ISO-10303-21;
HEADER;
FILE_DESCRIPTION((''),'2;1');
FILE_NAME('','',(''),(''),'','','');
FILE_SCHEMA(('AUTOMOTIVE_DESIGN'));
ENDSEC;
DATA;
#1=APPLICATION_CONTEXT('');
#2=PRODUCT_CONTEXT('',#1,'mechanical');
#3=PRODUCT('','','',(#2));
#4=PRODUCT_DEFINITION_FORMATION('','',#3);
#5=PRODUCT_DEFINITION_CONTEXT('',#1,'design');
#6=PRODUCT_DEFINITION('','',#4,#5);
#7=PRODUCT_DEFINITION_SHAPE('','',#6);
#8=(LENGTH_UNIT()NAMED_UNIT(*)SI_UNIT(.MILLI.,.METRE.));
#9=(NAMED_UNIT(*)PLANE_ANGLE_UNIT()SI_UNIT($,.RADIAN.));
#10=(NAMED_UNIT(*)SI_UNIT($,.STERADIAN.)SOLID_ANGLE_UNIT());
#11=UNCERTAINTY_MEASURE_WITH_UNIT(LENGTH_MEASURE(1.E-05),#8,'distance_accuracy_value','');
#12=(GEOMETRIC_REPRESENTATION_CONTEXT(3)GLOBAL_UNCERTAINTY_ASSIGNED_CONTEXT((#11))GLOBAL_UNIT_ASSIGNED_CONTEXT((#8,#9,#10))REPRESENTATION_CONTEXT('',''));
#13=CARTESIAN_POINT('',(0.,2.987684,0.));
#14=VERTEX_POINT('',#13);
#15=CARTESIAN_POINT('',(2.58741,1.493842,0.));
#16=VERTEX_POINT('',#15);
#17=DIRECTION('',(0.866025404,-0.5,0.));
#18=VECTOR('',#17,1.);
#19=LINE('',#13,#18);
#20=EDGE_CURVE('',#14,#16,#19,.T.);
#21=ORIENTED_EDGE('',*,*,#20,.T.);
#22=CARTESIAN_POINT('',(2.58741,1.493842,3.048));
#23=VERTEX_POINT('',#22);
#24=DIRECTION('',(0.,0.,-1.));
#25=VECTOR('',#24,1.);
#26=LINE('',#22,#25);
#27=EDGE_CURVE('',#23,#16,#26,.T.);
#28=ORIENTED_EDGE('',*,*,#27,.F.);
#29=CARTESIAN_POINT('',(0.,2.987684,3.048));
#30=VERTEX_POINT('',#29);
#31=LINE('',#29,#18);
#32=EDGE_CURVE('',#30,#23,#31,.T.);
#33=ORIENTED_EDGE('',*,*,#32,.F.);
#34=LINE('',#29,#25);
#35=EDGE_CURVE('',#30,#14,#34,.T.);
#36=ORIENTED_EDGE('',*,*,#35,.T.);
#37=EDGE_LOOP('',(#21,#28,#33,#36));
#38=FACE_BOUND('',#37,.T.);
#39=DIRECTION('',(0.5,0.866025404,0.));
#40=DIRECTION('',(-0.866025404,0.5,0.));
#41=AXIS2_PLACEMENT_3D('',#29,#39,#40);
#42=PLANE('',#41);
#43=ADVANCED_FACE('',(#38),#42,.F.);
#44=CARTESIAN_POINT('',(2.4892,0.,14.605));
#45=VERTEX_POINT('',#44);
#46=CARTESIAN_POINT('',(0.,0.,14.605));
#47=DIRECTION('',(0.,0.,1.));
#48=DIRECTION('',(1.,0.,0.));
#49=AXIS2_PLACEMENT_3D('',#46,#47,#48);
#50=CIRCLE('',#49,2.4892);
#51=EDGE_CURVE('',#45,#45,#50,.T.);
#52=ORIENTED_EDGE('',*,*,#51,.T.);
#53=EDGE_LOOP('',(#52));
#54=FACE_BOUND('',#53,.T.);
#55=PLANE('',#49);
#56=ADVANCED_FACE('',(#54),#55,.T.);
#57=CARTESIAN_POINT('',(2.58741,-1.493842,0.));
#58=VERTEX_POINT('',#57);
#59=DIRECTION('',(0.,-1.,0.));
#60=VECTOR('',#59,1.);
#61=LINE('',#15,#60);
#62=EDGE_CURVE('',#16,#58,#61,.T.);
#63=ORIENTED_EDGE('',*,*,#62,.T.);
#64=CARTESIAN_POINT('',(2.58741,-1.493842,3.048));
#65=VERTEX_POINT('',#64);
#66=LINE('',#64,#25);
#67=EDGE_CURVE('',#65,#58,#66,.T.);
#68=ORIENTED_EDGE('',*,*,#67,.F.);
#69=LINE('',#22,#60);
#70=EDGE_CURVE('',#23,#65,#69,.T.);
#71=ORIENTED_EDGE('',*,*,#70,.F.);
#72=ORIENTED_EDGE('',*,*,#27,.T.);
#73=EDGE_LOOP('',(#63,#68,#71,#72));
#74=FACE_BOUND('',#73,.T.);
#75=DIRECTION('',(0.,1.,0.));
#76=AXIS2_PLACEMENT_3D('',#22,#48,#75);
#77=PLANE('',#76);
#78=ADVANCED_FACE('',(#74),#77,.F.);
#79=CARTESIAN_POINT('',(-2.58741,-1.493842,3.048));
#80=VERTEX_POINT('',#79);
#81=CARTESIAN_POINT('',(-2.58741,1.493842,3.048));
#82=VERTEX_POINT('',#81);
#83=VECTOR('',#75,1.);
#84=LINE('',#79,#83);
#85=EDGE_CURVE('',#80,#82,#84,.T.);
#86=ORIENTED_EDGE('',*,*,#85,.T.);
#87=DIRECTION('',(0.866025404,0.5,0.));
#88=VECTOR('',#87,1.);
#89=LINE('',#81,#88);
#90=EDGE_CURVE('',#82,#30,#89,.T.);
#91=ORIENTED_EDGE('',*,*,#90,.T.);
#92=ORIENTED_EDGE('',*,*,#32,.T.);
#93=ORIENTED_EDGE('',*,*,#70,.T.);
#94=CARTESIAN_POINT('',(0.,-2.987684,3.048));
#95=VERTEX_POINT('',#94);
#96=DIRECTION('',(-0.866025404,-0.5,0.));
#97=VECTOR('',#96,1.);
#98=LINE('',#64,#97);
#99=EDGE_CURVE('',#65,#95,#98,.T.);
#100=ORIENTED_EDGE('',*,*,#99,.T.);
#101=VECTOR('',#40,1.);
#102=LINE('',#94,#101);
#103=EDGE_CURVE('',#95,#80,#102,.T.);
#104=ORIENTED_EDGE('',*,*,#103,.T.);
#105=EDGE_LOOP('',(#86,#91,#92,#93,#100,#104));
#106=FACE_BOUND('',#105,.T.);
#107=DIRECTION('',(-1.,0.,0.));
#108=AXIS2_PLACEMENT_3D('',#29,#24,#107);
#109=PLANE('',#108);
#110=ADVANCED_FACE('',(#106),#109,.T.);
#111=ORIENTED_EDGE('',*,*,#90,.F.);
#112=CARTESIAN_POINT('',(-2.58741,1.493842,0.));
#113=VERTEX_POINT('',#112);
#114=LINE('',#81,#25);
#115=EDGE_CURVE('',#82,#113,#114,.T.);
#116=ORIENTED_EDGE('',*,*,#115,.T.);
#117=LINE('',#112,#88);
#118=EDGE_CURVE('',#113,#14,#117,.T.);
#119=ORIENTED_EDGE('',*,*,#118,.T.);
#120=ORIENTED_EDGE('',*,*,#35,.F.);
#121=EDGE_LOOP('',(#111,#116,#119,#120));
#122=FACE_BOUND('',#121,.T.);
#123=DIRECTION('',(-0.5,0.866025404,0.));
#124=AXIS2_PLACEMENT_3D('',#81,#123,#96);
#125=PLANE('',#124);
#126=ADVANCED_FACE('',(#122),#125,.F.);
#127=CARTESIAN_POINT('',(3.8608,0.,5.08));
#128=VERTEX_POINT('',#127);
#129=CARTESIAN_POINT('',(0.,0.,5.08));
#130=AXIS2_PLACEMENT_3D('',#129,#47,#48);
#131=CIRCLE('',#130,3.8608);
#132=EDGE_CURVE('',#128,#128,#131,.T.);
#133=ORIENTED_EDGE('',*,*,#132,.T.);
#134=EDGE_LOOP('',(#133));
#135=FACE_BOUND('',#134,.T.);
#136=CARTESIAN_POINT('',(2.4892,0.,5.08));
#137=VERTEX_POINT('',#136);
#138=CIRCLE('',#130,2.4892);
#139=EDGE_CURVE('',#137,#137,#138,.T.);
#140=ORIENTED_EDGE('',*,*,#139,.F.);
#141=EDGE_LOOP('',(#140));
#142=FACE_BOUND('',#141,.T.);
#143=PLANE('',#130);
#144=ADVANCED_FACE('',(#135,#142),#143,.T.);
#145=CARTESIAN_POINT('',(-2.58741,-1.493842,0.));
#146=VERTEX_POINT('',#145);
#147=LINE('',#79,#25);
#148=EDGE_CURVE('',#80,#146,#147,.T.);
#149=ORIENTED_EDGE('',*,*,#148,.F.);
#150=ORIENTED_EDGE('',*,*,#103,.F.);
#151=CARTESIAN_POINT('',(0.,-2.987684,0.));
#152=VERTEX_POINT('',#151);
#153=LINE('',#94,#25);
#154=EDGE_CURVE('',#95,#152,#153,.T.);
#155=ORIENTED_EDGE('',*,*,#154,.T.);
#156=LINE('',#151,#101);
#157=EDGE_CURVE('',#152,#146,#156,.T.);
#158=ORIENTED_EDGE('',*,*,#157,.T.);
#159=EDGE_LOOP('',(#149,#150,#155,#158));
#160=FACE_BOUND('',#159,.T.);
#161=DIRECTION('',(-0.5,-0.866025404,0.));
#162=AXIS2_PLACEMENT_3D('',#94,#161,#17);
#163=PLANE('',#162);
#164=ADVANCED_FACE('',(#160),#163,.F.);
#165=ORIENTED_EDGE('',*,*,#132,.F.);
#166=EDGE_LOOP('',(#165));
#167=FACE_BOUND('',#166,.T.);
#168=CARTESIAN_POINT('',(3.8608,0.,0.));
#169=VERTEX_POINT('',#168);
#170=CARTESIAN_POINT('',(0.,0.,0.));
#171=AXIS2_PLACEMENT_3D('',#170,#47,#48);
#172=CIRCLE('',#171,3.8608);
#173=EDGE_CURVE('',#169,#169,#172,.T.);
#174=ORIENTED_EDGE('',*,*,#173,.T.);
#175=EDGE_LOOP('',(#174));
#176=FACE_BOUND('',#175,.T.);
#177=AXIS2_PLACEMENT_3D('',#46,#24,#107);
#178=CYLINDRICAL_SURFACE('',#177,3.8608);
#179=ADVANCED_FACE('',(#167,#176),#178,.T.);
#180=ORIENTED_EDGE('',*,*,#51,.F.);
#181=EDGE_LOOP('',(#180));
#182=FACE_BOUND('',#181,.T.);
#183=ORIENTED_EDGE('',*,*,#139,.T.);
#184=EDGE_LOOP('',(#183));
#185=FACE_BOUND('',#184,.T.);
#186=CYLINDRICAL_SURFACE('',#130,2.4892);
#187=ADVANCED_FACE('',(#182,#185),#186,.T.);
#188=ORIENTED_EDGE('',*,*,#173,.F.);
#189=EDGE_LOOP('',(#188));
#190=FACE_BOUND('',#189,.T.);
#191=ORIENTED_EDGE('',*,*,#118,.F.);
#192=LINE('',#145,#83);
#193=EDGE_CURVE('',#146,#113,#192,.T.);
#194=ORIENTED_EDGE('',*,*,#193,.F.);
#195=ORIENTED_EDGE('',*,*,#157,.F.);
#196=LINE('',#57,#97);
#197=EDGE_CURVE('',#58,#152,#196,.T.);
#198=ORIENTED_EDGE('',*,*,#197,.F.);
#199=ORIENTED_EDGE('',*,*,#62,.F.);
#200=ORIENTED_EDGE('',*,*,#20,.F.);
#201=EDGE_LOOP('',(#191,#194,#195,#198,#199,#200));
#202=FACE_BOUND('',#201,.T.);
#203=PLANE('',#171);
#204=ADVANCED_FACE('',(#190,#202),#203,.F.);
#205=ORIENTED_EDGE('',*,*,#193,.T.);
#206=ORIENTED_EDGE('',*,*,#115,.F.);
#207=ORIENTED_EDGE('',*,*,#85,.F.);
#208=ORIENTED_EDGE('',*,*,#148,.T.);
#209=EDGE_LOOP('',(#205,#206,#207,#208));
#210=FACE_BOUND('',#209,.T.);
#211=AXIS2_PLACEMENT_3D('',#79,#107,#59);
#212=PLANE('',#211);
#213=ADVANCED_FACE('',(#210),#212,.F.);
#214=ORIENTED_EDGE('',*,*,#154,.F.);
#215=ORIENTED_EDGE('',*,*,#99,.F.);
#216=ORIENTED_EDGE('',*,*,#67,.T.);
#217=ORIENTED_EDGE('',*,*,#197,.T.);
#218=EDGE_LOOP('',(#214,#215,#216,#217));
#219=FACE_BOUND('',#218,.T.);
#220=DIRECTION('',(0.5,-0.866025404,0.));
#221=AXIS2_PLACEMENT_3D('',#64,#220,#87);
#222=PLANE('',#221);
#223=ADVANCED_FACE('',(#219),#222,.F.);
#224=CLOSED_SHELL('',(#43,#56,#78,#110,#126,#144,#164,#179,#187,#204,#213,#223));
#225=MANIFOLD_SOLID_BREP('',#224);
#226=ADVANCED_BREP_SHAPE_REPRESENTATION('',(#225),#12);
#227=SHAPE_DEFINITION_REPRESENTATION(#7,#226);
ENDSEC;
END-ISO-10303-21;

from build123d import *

# Parameters (mm, degrees)
SKETCH1_R         = 3.8608
EXTRUDE1_DEPTH    = 14.605
SKETCH2_OUTSIDE_W = 13.37
SKETCH2_OUTSIDE_H = 13.37
SKETCH2_OUTSIDE_R = 2.4892
EXTRUDE2_DEPTH    = 9.525
EXTRUDE3_DEPTH    = 3.048


with BuildPart() as part:
    # Sketch1 → Extrude1 (new body)
    with BuildSketch(Plane.XY):
        Circle(SKETCH1_R)
    extrude(amount=EXTRUDE1_DEPTH)

    # Sketch2 outside → Extrude2 (cut)
    with BuildSketch(Plane.XY.offset(14.605)):
        Rectangle(SKETCH2_OUTSIDE_W, SKETCH2_OUTSIDE_H)
        Circle(SKETCH2_OUTSIDE_R, mode=Mode.SUBTRACT)
    extrude(amount=-EXTRUDE2_DEPTH, mode=Mode.SUBTRACT)

    # Sketch3 → Extrude3 (cut)
    with BuildSketch(Plane(origin=(0, 0, 0), x_dir=(-1, 0, 0), z_dir=(0, 0, -1))):
        Polygon((0, 2.987683948), (-2.587410198, 1.493841974), (-2.587410198, -1.493841974), (0, -2.987683948), (2.587410198, -1.493841974), (2.587410198, 1.493841974), align=None)
    extrude(amount=-EXTRUDE3_DEPTH, mode=Mode.SUBTRACT)


solid = part.part
